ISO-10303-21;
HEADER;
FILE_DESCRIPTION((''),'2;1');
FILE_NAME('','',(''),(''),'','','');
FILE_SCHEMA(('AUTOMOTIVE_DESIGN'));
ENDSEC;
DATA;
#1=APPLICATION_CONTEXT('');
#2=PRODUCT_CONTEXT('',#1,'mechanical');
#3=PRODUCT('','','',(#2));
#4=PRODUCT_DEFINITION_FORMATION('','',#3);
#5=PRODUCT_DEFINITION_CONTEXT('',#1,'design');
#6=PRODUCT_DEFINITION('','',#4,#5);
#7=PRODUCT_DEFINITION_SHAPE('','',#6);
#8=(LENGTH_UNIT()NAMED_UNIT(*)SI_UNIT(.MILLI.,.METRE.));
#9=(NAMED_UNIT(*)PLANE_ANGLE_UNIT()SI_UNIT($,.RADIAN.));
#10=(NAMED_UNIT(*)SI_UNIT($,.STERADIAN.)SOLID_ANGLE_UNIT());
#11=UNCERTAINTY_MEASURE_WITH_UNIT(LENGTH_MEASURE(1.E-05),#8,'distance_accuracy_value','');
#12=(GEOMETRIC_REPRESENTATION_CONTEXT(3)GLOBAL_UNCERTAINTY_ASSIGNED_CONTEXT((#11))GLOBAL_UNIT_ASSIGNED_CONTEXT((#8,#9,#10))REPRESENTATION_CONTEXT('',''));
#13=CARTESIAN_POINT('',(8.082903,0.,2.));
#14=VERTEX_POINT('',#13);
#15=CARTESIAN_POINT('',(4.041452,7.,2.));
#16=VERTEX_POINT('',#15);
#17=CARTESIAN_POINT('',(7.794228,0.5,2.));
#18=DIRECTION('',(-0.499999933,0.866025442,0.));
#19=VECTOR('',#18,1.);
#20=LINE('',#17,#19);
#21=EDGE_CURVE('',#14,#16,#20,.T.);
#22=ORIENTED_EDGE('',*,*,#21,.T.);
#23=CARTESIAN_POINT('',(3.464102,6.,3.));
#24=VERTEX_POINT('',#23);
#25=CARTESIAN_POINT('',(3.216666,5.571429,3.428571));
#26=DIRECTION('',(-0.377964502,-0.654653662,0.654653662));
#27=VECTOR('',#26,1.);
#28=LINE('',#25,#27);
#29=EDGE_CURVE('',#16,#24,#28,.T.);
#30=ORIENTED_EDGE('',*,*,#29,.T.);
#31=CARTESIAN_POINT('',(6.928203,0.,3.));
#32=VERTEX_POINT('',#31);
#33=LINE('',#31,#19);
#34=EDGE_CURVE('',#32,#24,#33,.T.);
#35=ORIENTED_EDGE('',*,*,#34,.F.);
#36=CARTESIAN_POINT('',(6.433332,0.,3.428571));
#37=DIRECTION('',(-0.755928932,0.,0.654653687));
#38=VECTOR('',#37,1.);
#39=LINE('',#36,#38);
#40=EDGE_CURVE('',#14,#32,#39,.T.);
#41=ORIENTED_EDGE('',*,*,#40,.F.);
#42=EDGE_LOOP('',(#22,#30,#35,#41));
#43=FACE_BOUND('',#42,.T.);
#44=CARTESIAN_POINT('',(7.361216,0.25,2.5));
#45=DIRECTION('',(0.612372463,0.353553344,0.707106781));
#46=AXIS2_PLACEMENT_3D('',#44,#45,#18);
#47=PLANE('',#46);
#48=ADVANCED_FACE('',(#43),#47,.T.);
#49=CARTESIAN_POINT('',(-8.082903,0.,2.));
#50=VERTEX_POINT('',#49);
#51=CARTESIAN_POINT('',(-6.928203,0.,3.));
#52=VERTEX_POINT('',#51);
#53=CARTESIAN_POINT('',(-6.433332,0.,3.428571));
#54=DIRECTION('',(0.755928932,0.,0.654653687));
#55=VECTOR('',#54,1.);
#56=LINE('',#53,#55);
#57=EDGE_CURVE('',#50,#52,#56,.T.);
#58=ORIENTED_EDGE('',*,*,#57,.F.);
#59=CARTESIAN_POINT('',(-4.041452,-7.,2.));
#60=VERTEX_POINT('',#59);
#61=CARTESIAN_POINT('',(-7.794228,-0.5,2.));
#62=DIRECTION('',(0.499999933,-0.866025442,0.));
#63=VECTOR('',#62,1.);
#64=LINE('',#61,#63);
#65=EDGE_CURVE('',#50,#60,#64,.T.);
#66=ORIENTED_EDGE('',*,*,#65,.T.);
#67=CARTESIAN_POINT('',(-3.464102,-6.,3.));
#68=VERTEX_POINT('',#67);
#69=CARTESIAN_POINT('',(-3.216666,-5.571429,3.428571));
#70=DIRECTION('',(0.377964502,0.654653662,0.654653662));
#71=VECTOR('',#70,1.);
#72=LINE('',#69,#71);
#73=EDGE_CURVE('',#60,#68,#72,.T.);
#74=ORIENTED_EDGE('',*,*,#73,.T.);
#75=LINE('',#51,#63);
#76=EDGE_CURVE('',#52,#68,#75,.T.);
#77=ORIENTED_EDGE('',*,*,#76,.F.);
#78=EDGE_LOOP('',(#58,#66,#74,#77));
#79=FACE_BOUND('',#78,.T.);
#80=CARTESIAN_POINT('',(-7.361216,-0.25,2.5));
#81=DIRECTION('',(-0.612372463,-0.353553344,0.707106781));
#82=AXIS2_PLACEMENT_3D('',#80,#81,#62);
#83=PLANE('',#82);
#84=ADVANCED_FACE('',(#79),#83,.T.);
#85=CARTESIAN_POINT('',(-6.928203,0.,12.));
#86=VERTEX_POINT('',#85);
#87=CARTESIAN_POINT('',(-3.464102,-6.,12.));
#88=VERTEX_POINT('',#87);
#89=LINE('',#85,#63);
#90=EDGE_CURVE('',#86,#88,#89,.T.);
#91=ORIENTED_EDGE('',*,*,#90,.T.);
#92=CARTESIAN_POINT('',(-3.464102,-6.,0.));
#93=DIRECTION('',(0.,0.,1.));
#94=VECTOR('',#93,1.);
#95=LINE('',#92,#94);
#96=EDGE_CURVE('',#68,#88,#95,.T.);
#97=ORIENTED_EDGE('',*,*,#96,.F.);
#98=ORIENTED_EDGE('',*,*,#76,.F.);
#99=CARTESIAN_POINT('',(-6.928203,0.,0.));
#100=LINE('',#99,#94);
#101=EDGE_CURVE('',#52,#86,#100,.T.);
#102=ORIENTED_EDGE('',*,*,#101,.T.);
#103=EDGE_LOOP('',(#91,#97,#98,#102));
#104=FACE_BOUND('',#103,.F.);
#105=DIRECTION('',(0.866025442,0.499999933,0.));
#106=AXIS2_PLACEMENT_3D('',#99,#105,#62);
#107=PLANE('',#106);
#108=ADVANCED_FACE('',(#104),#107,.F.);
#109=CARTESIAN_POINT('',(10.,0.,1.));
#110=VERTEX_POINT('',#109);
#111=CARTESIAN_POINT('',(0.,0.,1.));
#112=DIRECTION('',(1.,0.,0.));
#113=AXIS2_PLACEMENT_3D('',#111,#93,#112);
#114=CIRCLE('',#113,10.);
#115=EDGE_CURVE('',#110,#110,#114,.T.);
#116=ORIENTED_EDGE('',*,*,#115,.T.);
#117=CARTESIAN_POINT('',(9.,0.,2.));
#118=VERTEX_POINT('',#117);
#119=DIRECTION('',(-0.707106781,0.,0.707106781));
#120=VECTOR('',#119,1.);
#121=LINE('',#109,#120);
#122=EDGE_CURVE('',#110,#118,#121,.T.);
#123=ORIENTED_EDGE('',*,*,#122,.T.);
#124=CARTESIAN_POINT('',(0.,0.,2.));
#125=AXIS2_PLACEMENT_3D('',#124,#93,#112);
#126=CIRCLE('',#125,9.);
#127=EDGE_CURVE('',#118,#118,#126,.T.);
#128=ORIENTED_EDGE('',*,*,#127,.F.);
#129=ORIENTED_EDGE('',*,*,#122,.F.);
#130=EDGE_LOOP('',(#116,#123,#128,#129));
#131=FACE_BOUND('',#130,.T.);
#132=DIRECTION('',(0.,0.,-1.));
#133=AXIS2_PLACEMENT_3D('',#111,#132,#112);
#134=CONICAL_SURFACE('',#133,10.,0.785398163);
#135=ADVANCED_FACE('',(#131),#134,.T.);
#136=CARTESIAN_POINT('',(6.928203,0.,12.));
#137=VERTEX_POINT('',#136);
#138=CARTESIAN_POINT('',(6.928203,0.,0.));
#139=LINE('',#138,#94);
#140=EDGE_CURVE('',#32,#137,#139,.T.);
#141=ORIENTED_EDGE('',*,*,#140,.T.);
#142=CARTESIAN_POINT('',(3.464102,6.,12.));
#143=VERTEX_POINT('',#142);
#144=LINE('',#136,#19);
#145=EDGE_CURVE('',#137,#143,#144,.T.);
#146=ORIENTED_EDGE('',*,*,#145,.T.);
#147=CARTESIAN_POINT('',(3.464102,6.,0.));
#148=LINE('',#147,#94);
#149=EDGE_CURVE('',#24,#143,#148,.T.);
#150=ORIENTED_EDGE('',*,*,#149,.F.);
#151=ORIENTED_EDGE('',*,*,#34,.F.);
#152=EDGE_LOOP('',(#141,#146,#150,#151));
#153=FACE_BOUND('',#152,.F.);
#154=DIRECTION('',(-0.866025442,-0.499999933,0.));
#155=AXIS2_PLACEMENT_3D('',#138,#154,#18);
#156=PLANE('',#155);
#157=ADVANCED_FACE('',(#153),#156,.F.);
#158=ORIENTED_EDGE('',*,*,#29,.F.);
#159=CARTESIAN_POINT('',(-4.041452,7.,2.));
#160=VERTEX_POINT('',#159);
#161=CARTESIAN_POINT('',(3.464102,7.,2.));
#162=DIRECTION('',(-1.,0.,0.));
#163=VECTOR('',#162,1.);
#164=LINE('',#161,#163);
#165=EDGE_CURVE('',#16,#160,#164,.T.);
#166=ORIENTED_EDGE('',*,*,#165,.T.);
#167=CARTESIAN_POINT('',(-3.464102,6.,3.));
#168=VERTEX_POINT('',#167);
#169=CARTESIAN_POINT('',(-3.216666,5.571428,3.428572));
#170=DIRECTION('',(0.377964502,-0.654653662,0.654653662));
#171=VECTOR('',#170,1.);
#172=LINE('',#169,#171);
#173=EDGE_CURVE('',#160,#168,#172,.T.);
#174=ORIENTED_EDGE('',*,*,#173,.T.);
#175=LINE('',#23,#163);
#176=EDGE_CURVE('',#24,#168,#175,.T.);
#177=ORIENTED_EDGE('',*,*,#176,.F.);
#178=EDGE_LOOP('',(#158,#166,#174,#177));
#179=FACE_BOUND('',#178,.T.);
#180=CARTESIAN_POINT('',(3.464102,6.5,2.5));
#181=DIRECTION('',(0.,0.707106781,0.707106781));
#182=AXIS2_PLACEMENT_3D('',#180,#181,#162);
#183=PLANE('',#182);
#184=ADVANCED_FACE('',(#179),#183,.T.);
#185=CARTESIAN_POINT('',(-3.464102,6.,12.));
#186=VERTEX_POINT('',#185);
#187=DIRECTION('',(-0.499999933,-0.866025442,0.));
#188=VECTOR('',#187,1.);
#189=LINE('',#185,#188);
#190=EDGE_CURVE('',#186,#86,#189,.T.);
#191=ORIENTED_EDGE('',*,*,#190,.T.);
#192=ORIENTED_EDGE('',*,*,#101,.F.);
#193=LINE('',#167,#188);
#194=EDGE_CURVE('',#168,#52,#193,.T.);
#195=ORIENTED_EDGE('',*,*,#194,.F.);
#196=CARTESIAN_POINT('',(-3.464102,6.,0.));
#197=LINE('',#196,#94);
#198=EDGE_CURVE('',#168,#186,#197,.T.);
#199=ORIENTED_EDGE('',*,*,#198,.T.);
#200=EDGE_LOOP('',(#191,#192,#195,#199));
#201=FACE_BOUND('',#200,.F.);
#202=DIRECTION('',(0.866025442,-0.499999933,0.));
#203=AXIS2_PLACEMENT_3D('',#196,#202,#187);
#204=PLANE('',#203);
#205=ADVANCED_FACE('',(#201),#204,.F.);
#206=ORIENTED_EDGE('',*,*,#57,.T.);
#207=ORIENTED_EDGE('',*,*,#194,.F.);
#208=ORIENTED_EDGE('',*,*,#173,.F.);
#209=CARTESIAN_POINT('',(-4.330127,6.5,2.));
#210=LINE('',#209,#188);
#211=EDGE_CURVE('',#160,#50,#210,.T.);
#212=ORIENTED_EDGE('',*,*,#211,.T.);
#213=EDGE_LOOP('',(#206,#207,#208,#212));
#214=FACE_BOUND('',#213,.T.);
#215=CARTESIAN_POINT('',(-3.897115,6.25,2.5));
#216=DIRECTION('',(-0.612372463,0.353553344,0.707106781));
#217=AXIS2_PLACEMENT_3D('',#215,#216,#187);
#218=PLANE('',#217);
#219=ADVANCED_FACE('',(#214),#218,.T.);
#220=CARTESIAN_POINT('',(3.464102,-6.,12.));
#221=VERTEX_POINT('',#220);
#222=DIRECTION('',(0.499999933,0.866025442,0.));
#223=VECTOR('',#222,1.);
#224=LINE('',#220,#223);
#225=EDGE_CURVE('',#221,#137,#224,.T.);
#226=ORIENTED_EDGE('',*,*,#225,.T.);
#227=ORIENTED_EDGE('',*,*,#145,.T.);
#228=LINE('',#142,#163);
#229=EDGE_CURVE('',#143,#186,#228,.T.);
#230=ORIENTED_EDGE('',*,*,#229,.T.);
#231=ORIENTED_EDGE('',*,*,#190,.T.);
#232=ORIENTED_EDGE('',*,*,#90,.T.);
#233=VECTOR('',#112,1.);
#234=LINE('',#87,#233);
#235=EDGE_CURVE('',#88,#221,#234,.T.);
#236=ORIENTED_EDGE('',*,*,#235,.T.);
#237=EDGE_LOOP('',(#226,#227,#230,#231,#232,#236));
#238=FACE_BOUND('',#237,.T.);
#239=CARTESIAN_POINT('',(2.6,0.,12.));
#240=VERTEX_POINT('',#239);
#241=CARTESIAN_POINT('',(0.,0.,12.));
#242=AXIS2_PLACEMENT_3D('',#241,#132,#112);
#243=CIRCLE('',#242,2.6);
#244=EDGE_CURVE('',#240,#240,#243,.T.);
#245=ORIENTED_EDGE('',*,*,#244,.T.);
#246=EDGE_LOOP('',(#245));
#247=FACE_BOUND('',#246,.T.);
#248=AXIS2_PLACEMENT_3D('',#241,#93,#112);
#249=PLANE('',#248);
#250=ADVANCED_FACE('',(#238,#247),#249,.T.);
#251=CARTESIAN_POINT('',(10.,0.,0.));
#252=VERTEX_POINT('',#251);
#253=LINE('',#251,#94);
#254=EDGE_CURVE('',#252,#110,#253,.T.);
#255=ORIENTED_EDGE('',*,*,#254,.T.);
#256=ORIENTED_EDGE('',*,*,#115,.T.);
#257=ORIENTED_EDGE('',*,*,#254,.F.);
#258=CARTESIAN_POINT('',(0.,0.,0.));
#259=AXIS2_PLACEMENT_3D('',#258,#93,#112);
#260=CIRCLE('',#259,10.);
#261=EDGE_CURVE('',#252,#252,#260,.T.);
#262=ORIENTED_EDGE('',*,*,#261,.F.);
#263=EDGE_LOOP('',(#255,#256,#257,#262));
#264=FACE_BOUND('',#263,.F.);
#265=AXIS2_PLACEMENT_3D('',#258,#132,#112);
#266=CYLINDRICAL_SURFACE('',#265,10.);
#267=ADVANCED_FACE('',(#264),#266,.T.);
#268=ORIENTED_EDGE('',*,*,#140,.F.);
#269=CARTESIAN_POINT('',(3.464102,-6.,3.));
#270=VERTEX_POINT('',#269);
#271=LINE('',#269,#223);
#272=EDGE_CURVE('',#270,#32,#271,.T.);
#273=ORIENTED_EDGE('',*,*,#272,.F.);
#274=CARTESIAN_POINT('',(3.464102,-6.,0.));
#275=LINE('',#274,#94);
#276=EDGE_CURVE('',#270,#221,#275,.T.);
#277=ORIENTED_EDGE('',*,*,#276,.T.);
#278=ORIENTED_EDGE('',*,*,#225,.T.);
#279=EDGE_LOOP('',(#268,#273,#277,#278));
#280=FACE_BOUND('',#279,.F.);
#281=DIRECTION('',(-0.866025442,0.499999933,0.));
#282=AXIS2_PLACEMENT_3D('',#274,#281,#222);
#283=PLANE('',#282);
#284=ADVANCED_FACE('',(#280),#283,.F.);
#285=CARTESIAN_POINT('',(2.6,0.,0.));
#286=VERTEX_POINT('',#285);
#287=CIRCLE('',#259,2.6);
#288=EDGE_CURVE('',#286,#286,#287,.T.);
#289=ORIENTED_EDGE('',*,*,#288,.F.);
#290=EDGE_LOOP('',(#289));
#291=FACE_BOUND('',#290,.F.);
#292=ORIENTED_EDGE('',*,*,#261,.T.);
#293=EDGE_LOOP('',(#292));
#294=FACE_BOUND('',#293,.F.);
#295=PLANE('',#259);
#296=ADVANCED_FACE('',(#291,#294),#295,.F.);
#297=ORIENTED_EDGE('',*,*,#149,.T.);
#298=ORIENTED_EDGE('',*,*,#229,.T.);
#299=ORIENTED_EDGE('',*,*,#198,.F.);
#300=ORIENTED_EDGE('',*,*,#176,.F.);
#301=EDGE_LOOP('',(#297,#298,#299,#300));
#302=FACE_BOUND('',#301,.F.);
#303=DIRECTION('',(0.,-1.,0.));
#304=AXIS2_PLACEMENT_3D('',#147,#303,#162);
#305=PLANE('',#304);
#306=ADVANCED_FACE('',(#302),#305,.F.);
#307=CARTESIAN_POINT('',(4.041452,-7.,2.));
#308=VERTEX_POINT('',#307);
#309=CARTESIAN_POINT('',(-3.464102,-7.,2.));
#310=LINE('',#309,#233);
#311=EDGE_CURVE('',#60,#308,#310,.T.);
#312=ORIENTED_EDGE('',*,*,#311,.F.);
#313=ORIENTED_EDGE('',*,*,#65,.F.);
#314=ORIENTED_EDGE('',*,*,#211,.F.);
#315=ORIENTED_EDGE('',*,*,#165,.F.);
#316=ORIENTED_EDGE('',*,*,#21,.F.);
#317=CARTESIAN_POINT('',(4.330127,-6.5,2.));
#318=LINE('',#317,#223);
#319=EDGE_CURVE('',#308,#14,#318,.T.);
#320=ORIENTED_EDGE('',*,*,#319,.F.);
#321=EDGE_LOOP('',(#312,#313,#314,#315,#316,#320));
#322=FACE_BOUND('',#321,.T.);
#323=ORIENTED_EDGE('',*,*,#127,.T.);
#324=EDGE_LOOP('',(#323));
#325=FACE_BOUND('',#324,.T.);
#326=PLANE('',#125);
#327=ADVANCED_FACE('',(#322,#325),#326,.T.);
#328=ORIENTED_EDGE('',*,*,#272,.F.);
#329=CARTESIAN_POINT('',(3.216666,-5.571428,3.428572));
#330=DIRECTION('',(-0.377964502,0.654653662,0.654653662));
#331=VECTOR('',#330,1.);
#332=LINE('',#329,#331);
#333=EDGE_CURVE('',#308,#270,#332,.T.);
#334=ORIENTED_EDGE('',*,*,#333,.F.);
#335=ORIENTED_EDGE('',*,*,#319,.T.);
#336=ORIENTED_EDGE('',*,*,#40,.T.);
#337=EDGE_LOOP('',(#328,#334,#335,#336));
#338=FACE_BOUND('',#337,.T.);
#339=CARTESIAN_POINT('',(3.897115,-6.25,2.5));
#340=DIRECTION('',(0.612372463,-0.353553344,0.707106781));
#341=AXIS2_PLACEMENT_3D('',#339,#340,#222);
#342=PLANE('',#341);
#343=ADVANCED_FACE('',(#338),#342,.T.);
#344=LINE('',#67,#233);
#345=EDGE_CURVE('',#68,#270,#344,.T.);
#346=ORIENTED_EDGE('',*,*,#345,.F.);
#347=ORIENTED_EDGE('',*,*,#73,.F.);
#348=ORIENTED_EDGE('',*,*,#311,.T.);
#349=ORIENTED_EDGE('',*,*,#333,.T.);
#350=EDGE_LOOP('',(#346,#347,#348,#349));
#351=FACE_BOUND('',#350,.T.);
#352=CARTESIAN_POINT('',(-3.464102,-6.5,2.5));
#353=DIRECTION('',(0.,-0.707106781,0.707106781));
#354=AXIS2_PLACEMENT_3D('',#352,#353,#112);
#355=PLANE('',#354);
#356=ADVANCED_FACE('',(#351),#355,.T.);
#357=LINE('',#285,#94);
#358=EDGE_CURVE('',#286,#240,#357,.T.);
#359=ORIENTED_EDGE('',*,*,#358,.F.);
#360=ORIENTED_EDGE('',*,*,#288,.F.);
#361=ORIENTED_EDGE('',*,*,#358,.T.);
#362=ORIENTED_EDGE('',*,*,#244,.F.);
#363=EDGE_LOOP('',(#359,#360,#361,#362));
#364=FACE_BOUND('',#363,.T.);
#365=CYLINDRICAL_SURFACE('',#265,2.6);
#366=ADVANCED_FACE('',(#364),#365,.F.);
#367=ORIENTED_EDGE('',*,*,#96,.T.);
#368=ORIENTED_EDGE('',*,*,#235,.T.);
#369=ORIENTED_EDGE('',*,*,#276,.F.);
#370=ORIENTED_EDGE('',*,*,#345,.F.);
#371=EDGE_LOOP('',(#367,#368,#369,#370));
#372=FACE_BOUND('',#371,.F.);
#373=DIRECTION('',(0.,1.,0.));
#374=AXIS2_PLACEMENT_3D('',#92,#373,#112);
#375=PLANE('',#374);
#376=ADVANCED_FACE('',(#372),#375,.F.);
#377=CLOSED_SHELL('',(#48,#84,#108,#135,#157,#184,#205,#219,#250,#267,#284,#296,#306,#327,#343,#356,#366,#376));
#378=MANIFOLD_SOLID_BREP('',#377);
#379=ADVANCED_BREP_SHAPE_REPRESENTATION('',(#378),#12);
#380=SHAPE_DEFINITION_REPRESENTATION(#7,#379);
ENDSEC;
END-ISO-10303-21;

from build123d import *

# Parameters (mm, degrees)
F1_DEPTH = 12
F2_R     = 10
F2_R_2   = 4.6
F3_DEPTH = 2
F2_R_3   = 2.6
F4_DEPTH = 12.001
F5_SIZE  = 1


with BuildPart() as f1:
    # F0 (on Top) → F1 (new body)
    with BuildSketch(Plane.XY):
        Polygon((3.464102, 6), (-3.464102, 6), (-6.928203, 0), (-3.464102, -6), (3.464102, -6), (6.928203, 0), align=None)
    extrude(amount=F1_DEPTH)

    # F2 (on Top) → F3 (join)
    with BuildSketch(Plane.XY):
        Circle(F2_R)
        Circle(F2_R_2, mode=Mode.SUBTRACT)
    extrude(amount=F3_DEPTH)

    # F2 (on Top) → F4 (cut, through all)
    with BuildSketch(Plane.XY):
        Circle(F2_R_3)
    extrude(amount=F4_DEPTH, mode=Mode.SUBTRACT)

    # F5
    f5_edges = [f1.edges().sort_by_distance(p)[0] for p in [
        (-10, 0, 2),
        (0, 6, 2),
        (-5.196152, 3, 2),
        (-5.196152, -3, 2),
        (0, -6, 2),
        (5.196152, -3, 2),
        (5.196152, 3, 2),
    ]]
    chamfer(f5_edges, length=F5_SIZE)


solid = f1.part
